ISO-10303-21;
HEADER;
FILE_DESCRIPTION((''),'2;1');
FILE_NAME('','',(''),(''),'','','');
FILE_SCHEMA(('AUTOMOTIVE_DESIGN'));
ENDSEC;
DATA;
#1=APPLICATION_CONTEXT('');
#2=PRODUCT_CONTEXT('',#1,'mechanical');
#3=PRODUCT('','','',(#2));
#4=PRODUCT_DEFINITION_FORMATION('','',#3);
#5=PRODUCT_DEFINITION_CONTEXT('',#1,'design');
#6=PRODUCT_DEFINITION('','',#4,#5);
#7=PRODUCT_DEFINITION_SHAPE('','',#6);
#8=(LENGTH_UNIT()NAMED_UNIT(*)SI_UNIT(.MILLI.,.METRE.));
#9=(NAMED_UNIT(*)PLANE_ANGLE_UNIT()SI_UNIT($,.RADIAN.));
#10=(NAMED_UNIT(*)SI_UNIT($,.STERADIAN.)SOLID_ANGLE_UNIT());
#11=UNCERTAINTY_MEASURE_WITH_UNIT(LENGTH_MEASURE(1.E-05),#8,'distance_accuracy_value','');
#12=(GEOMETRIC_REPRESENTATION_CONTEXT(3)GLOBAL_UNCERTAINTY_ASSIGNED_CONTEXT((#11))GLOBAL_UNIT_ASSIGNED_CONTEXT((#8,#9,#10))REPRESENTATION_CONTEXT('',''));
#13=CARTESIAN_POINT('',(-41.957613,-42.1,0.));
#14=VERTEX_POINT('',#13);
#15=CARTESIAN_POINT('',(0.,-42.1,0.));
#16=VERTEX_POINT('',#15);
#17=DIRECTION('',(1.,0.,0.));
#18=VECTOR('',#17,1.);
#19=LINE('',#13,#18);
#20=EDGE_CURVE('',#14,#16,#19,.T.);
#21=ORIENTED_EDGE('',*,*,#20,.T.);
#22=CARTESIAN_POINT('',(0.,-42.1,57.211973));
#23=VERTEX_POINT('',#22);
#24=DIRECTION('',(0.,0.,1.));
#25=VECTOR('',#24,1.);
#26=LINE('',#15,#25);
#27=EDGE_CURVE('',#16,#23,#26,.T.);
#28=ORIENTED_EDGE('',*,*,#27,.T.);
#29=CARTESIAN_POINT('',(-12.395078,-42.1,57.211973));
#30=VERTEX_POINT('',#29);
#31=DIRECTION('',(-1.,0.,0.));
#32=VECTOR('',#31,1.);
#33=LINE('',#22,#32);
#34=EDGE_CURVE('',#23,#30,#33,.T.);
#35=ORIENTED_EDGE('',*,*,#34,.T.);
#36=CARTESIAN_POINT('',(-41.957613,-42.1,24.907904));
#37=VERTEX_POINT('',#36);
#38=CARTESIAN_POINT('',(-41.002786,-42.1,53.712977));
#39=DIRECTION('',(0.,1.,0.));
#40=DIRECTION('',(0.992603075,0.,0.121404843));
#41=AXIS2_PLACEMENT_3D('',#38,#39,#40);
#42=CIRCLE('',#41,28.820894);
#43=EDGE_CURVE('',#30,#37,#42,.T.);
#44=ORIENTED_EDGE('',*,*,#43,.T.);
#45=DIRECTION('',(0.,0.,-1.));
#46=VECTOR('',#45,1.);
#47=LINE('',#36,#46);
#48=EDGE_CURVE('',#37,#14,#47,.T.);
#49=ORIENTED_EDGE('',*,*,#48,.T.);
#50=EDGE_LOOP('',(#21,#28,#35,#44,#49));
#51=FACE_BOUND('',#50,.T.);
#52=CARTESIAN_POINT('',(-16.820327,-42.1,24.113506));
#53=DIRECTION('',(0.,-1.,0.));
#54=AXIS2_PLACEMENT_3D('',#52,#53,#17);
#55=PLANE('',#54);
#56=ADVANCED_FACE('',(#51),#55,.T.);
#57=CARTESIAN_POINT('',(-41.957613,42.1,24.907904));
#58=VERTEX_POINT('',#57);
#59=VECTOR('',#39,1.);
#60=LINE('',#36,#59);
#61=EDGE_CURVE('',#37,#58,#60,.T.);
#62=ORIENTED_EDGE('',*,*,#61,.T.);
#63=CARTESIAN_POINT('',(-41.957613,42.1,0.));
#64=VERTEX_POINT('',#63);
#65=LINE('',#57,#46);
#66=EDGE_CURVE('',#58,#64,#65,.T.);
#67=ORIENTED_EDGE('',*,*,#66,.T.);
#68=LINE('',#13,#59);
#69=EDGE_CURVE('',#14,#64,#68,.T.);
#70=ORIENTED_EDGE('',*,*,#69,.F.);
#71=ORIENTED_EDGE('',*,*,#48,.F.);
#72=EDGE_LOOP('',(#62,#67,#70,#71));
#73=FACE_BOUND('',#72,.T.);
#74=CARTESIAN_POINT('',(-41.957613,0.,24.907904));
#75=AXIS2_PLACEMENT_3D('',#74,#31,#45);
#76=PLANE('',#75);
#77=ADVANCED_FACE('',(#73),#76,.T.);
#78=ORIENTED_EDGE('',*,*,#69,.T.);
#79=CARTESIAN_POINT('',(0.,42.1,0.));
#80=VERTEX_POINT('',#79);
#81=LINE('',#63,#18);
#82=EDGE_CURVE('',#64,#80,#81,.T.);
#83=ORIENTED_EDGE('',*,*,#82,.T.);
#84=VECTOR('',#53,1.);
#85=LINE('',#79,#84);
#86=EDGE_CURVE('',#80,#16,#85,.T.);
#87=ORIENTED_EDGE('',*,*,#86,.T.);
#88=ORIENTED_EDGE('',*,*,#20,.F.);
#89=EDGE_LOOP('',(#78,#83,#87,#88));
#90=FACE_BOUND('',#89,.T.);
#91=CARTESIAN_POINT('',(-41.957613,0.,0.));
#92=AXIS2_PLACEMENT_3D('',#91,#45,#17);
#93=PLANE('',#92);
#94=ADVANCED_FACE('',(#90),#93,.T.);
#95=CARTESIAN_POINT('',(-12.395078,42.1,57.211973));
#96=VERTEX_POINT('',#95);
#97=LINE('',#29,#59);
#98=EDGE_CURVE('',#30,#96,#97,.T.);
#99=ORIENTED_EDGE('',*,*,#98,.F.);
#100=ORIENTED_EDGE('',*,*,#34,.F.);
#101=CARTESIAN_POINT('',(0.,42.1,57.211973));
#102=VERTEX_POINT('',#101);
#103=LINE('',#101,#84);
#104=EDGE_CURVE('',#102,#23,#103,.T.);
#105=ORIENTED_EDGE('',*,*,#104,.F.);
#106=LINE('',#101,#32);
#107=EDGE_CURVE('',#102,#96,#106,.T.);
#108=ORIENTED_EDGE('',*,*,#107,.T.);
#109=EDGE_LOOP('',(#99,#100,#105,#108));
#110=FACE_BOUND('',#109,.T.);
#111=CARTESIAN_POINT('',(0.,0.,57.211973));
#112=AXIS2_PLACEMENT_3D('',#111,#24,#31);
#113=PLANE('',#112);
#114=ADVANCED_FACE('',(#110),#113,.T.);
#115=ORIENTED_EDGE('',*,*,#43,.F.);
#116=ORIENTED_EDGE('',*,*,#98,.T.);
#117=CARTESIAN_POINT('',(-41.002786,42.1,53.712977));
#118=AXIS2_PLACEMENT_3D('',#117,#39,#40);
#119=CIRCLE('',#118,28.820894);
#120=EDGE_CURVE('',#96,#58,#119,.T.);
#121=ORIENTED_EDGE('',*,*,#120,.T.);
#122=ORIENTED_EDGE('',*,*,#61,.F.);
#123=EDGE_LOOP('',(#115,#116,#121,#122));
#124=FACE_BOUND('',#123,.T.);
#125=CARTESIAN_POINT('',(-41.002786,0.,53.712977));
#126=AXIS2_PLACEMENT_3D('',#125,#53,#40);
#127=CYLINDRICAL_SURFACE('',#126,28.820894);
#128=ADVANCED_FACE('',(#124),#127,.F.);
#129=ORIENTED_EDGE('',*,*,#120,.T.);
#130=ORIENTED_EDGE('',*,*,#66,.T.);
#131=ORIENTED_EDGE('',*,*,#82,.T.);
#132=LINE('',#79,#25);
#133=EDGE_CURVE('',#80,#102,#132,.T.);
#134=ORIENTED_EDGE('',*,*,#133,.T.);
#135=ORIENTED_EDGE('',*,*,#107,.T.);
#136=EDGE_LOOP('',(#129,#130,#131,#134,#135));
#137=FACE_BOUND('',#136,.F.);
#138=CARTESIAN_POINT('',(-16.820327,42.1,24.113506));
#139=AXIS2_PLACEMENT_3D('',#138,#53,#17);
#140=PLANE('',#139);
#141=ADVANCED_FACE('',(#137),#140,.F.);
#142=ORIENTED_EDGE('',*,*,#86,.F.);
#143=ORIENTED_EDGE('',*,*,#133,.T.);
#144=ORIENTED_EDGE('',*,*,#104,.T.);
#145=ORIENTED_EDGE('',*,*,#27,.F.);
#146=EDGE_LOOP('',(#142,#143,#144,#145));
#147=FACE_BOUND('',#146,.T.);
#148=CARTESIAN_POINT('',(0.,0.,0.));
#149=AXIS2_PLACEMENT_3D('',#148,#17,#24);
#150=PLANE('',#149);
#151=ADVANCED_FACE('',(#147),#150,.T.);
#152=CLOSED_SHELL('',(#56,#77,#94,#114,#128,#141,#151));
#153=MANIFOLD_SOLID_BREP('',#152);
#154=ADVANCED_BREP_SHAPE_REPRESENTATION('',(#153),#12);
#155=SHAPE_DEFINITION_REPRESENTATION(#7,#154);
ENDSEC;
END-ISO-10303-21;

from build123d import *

# Parameters (mm, degrees)
F1_DEPTH = 42.1


with BuildPart() as f1:
    # F0 (on Front) → F1 (new body, symmetric)
    with BuildSketch(Plane.XZ):
        with BuildLine():
            Line((-41.957613, 0), (0, 0))
            Line((0, 0), (0, 57.211973))
            Line((0, 57.211973), (-12.395078, 57.211973))
            ThreePointArc((-12.395078, 57.211973), (-19.741115, 34.255709), (-41.957613, 24.907904))
            Line((-41.957613, 24.907904), (-41.957613, 0))
        make_face()
    extrude(amount=F1_DEPTH, both=True)


solid = f1.part
